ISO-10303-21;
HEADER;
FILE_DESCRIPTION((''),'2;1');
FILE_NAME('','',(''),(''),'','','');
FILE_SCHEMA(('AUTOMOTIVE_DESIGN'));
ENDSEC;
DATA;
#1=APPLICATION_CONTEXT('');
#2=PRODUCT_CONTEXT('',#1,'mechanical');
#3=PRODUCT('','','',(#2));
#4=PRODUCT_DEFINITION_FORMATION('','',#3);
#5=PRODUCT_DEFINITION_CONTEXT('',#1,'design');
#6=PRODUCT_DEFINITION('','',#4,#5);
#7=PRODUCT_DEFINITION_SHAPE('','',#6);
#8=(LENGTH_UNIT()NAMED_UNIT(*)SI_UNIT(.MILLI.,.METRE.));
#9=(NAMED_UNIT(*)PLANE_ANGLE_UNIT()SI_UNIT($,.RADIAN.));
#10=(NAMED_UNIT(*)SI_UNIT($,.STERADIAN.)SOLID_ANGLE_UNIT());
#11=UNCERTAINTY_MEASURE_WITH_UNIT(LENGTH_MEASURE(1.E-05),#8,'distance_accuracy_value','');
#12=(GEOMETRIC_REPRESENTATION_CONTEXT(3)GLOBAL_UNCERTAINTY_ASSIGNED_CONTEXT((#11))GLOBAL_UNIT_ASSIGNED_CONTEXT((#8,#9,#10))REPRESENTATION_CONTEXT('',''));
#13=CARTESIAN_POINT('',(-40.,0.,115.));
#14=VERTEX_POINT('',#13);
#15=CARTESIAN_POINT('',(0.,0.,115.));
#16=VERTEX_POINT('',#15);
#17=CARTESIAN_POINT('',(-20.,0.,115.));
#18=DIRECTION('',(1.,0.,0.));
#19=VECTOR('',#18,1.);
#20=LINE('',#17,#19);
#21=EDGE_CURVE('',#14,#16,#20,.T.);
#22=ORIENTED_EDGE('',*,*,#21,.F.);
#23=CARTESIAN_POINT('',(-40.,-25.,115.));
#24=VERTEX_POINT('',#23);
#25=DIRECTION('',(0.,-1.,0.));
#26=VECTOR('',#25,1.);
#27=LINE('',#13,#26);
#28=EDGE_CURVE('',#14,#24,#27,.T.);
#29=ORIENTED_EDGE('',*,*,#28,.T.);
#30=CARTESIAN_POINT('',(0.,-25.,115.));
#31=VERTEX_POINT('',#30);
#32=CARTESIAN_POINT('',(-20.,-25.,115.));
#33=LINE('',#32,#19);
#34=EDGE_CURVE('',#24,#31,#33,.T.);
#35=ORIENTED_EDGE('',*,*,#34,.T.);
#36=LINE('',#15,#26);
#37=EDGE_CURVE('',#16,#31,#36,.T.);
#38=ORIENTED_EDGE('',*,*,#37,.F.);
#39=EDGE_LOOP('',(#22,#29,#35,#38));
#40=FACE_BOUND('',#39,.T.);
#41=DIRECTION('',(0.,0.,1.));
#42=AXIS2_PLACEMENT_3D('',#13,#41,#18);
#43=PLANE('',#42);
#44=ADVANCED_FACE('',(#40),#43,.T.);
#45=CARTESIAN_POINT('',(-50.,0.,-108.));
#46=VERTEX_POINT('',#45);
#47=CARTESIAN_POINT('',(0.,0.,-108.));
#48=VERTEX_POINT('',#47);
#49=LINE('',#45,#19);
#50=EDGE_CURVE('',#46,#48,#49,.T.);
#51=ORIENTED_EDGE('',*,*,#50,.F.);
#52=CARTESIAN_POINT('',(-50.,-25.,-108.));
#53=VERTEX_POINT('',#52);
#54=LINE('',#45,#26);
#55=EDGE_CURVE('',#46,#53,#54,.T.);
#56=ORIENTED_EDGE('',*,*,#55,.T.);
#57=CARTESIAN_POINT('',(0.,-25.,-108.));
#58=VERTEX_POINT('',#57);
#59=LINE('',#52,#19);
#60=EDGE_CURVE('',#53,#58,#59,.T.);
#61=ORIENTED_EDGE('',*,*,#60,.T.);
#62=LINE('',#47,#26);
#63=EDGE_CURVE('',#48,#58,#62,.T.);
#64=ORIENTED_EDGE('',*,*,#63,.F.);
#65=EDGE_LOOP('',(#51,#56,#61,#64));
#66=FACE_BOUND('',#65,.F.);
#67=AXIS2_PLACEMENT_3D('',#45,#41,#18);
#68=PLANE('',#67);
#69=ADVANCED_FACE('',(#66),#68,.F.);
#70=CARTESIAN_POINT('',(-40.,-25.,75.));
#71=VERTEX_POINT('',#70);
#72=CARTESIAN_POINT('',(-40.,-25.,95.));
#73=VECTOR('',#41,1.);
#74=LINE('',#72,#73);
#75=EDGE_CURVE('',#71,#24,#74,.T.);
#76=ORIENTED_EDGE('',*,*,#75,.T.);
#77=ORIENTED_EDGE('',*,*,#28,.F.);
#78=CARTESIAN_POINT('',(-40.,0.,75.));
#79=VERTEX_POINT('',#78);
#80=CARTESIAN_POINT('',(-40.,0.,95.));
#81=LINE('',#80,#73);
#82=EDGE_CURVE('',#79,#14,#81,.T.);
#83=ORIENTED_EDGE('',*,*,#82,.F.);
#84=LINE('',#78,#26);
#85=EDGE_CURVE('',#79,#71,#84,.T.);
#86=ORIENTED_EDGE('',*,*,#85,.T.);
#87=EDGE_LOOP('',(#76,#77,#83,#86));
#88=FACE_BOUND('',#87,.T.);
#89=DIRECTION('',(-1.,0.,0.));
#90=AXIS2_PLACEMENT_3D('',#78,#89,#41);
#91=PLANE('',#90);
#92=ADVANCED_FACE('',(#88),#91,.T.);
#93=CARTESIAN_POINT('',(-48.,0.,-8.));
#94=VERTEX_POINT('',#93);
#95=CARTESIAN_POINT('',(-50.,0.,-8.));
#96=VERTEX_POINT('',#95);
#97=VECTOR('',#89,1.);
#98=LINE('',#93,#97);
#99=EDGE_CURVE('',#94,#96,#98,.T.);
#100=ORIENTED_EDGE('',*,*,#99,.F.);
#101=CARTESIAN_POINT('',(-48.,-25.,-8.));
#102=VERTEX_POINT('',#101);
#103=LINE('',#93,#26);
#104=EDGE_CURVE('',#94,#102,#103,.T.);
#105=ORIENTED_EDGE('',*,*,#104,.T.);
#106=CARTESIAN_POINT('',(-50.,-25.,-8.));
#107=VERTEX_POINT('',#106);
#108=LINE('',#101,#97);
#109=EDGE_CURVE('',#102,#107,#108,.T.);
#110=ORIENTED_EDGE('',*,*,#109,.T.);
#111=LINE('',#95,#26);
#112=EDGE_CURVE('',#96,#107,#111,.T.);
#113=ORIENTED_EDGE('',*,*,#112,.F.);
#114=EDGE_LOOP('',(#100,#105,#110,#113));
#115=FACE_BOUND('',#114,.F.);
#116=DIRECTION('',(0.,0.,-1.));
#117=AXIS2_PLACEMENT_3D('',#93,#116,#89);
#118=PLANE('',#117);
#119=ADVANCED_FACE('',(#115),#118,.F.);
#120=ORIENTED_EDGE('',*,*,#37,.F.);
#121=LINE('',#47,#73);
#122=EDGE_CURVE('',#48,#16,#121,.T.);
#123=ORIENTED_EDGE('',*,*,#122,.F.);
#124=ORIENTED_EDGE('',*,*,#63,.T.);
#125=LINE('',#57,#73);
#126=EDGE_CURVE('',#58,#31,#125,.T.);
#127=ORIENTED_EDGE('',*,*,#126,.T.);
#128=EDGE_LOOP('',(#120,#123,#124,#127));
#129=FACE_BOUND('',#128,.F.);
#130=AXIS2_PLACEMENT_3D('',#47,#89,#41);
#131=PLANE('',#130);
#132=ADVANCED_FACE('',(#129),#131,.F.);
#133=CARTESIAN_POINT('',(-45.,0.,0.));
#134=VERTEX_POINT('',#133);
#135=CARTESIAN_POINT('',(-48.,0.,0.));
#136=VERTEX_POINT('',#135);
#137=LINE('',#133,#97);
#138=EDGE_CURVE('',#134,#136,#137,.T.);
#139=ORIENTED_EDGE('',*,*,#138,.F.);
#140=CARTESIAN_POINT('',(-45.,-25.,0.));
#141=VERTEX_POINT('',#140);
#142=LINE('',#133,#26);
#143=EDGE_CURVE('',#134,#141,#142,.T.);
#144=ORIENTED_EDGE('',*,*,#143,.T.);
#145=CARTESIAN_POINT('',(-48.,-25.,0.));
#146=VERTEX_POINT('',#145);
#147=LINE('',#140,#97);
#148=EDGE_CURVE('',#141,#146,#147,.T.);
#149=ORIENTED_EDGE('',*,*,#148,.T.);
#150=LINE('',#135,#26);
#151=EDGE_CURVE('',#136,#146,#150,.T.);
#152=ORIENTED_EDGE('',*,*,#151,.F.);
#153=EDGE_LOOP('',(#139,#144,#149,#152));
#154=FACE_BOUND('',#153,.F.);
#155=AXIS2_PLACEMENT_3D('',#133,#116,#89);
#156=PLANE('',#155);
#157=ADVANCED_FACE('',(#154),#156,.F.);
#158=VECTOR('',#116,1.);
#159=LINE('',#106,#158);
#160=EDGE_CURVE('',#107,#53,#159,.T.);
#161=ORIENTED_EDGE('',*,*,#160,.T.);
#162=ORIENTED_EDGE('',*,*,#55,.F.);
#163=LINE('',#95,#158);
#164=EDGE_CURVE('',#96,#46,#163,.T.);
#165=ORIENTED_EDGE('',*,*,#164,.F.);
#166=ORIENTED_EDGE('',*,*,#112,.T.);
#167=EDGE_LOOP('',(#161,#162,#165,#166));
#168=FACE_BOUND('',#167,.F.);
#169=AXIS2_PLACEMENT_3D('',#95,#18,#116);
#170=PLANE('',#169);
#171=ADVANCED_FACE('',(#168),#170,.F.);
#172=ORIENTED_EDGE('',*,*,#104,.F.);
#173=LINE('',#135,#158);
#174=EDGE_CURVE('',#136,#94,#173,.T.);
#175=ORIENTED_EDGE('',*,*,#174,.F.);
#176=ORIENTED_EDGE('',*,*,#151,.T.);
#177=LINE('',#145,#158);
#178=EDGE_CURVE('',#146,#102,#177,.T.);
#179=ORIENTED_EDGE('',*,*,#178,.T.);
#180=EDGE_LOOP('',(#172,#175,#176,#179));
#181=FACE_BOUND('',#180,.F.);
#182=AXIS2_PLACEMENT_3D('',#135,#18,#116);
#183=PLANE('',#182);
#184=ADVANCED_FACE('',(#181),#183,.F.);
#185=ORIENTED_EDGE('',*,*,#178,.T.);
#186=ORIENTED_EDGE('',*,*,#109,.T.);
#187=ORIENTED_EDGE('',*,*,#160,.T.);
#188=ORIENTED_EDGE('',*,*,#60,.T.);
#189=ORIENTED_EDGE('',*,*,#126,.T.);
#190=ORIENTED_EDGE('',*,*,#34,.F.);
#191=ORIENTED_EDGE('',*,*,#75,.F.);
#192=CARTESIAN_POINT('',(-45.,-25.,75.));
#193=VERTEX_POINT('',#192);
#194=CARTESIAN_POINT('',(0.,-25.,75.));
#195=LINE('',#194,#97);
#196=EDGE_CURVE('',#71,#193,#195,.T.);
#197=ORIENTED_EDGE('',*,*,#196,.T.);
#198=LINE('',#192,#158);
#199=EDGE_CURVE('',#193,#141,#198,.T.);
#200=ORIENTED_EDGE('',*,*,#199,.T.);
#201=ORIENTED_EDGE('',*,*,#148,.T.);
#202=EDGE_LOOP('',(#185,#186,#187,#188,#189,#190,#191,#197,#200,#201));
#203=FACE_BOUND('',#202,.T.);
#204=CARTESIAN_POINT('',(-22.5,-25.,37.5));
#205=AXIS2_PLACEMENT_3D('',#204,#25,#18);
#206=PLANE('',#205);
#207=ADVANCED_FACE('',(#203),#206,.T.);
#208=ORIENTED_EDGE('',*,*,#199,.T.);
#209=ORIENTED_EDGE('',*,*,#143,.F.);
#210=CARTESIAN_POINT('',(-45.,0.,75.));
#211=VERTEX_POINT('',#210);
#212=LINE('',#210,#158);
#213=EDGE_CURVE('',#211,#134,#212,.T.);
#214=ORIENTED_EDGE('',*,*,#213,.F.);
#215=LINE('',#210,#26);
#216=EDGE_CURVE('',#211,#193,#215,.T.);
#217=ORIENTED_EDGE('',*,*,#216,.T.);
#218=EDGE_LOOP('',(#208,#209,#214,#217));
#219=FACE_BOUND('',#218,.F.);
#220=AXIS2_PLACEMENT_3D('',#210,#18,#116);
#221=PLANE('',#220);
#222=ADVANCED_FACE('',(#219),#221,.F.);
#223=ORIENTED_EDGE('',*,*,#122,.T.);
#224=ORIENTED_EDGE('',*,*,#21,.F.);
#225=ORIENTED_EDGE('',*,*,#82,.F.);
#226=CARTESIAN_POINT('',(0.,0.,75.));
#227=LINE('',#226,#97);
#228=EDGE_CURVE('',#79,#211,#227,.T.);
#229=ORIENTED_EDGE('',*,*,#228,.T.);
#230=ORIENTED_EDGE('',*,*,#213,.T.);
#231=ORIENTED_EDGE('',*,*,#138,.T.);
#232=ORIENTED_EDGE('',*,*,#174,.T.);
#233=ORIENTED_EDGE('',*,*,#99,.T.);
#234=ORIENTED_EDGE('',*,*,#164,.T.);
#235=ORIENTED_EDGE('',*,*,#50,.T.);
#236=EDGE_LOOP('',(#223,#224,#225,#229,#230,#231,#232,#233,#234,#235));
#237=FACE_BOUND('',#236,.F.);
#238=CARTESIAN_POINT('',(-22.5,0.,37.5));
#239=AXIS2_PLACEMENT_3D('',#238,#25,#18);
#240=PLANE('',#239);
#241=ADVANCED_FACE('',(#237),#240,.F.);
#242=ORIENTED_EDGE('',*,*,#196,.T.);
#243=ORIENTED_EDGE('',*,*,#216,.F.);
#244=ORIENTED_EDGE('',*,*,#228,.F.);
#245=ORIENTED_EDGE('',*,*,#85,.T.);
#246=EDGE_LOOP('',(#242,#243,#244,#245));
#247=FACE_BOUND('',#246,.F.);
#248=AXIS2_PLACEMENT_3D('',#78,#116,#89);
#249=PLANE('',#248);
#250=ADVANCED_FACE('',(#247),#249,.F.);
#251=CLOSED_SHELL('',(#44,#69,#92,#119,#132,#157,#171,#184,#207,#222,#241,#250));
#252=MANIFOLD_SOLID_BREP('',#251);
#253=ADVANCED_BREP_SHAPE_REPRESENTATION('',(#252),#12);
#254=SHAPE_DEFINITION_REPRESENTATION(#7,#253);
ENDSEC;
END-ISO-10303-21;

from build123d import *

# Parameters (mm, degrees)
F0_W     = 40
F0_H     = 40
F1_DEPTH = 25


with BuildPart() as f1:
    # F0 (on Front) → F1 (new body)
    with BuildSketch(Plane.XZ):
        Polygon((-40, 75), (-45, 75), (-45, 0), (0, 0), (0, 75), align=None)
        with Locations((-20, 95)):
            Rectangle(F0_W, F0_H)
        Polygon((0, 0), (-45, 0), (-48, 0), (-48, -8), (0, -8), align=None)
        Polygon((0, -108), (0, -8), (-48, -8), (-50, -8), (-50, -108), align=None)
    extrude(amount=F1_DEPTH)


solid = f1.part
